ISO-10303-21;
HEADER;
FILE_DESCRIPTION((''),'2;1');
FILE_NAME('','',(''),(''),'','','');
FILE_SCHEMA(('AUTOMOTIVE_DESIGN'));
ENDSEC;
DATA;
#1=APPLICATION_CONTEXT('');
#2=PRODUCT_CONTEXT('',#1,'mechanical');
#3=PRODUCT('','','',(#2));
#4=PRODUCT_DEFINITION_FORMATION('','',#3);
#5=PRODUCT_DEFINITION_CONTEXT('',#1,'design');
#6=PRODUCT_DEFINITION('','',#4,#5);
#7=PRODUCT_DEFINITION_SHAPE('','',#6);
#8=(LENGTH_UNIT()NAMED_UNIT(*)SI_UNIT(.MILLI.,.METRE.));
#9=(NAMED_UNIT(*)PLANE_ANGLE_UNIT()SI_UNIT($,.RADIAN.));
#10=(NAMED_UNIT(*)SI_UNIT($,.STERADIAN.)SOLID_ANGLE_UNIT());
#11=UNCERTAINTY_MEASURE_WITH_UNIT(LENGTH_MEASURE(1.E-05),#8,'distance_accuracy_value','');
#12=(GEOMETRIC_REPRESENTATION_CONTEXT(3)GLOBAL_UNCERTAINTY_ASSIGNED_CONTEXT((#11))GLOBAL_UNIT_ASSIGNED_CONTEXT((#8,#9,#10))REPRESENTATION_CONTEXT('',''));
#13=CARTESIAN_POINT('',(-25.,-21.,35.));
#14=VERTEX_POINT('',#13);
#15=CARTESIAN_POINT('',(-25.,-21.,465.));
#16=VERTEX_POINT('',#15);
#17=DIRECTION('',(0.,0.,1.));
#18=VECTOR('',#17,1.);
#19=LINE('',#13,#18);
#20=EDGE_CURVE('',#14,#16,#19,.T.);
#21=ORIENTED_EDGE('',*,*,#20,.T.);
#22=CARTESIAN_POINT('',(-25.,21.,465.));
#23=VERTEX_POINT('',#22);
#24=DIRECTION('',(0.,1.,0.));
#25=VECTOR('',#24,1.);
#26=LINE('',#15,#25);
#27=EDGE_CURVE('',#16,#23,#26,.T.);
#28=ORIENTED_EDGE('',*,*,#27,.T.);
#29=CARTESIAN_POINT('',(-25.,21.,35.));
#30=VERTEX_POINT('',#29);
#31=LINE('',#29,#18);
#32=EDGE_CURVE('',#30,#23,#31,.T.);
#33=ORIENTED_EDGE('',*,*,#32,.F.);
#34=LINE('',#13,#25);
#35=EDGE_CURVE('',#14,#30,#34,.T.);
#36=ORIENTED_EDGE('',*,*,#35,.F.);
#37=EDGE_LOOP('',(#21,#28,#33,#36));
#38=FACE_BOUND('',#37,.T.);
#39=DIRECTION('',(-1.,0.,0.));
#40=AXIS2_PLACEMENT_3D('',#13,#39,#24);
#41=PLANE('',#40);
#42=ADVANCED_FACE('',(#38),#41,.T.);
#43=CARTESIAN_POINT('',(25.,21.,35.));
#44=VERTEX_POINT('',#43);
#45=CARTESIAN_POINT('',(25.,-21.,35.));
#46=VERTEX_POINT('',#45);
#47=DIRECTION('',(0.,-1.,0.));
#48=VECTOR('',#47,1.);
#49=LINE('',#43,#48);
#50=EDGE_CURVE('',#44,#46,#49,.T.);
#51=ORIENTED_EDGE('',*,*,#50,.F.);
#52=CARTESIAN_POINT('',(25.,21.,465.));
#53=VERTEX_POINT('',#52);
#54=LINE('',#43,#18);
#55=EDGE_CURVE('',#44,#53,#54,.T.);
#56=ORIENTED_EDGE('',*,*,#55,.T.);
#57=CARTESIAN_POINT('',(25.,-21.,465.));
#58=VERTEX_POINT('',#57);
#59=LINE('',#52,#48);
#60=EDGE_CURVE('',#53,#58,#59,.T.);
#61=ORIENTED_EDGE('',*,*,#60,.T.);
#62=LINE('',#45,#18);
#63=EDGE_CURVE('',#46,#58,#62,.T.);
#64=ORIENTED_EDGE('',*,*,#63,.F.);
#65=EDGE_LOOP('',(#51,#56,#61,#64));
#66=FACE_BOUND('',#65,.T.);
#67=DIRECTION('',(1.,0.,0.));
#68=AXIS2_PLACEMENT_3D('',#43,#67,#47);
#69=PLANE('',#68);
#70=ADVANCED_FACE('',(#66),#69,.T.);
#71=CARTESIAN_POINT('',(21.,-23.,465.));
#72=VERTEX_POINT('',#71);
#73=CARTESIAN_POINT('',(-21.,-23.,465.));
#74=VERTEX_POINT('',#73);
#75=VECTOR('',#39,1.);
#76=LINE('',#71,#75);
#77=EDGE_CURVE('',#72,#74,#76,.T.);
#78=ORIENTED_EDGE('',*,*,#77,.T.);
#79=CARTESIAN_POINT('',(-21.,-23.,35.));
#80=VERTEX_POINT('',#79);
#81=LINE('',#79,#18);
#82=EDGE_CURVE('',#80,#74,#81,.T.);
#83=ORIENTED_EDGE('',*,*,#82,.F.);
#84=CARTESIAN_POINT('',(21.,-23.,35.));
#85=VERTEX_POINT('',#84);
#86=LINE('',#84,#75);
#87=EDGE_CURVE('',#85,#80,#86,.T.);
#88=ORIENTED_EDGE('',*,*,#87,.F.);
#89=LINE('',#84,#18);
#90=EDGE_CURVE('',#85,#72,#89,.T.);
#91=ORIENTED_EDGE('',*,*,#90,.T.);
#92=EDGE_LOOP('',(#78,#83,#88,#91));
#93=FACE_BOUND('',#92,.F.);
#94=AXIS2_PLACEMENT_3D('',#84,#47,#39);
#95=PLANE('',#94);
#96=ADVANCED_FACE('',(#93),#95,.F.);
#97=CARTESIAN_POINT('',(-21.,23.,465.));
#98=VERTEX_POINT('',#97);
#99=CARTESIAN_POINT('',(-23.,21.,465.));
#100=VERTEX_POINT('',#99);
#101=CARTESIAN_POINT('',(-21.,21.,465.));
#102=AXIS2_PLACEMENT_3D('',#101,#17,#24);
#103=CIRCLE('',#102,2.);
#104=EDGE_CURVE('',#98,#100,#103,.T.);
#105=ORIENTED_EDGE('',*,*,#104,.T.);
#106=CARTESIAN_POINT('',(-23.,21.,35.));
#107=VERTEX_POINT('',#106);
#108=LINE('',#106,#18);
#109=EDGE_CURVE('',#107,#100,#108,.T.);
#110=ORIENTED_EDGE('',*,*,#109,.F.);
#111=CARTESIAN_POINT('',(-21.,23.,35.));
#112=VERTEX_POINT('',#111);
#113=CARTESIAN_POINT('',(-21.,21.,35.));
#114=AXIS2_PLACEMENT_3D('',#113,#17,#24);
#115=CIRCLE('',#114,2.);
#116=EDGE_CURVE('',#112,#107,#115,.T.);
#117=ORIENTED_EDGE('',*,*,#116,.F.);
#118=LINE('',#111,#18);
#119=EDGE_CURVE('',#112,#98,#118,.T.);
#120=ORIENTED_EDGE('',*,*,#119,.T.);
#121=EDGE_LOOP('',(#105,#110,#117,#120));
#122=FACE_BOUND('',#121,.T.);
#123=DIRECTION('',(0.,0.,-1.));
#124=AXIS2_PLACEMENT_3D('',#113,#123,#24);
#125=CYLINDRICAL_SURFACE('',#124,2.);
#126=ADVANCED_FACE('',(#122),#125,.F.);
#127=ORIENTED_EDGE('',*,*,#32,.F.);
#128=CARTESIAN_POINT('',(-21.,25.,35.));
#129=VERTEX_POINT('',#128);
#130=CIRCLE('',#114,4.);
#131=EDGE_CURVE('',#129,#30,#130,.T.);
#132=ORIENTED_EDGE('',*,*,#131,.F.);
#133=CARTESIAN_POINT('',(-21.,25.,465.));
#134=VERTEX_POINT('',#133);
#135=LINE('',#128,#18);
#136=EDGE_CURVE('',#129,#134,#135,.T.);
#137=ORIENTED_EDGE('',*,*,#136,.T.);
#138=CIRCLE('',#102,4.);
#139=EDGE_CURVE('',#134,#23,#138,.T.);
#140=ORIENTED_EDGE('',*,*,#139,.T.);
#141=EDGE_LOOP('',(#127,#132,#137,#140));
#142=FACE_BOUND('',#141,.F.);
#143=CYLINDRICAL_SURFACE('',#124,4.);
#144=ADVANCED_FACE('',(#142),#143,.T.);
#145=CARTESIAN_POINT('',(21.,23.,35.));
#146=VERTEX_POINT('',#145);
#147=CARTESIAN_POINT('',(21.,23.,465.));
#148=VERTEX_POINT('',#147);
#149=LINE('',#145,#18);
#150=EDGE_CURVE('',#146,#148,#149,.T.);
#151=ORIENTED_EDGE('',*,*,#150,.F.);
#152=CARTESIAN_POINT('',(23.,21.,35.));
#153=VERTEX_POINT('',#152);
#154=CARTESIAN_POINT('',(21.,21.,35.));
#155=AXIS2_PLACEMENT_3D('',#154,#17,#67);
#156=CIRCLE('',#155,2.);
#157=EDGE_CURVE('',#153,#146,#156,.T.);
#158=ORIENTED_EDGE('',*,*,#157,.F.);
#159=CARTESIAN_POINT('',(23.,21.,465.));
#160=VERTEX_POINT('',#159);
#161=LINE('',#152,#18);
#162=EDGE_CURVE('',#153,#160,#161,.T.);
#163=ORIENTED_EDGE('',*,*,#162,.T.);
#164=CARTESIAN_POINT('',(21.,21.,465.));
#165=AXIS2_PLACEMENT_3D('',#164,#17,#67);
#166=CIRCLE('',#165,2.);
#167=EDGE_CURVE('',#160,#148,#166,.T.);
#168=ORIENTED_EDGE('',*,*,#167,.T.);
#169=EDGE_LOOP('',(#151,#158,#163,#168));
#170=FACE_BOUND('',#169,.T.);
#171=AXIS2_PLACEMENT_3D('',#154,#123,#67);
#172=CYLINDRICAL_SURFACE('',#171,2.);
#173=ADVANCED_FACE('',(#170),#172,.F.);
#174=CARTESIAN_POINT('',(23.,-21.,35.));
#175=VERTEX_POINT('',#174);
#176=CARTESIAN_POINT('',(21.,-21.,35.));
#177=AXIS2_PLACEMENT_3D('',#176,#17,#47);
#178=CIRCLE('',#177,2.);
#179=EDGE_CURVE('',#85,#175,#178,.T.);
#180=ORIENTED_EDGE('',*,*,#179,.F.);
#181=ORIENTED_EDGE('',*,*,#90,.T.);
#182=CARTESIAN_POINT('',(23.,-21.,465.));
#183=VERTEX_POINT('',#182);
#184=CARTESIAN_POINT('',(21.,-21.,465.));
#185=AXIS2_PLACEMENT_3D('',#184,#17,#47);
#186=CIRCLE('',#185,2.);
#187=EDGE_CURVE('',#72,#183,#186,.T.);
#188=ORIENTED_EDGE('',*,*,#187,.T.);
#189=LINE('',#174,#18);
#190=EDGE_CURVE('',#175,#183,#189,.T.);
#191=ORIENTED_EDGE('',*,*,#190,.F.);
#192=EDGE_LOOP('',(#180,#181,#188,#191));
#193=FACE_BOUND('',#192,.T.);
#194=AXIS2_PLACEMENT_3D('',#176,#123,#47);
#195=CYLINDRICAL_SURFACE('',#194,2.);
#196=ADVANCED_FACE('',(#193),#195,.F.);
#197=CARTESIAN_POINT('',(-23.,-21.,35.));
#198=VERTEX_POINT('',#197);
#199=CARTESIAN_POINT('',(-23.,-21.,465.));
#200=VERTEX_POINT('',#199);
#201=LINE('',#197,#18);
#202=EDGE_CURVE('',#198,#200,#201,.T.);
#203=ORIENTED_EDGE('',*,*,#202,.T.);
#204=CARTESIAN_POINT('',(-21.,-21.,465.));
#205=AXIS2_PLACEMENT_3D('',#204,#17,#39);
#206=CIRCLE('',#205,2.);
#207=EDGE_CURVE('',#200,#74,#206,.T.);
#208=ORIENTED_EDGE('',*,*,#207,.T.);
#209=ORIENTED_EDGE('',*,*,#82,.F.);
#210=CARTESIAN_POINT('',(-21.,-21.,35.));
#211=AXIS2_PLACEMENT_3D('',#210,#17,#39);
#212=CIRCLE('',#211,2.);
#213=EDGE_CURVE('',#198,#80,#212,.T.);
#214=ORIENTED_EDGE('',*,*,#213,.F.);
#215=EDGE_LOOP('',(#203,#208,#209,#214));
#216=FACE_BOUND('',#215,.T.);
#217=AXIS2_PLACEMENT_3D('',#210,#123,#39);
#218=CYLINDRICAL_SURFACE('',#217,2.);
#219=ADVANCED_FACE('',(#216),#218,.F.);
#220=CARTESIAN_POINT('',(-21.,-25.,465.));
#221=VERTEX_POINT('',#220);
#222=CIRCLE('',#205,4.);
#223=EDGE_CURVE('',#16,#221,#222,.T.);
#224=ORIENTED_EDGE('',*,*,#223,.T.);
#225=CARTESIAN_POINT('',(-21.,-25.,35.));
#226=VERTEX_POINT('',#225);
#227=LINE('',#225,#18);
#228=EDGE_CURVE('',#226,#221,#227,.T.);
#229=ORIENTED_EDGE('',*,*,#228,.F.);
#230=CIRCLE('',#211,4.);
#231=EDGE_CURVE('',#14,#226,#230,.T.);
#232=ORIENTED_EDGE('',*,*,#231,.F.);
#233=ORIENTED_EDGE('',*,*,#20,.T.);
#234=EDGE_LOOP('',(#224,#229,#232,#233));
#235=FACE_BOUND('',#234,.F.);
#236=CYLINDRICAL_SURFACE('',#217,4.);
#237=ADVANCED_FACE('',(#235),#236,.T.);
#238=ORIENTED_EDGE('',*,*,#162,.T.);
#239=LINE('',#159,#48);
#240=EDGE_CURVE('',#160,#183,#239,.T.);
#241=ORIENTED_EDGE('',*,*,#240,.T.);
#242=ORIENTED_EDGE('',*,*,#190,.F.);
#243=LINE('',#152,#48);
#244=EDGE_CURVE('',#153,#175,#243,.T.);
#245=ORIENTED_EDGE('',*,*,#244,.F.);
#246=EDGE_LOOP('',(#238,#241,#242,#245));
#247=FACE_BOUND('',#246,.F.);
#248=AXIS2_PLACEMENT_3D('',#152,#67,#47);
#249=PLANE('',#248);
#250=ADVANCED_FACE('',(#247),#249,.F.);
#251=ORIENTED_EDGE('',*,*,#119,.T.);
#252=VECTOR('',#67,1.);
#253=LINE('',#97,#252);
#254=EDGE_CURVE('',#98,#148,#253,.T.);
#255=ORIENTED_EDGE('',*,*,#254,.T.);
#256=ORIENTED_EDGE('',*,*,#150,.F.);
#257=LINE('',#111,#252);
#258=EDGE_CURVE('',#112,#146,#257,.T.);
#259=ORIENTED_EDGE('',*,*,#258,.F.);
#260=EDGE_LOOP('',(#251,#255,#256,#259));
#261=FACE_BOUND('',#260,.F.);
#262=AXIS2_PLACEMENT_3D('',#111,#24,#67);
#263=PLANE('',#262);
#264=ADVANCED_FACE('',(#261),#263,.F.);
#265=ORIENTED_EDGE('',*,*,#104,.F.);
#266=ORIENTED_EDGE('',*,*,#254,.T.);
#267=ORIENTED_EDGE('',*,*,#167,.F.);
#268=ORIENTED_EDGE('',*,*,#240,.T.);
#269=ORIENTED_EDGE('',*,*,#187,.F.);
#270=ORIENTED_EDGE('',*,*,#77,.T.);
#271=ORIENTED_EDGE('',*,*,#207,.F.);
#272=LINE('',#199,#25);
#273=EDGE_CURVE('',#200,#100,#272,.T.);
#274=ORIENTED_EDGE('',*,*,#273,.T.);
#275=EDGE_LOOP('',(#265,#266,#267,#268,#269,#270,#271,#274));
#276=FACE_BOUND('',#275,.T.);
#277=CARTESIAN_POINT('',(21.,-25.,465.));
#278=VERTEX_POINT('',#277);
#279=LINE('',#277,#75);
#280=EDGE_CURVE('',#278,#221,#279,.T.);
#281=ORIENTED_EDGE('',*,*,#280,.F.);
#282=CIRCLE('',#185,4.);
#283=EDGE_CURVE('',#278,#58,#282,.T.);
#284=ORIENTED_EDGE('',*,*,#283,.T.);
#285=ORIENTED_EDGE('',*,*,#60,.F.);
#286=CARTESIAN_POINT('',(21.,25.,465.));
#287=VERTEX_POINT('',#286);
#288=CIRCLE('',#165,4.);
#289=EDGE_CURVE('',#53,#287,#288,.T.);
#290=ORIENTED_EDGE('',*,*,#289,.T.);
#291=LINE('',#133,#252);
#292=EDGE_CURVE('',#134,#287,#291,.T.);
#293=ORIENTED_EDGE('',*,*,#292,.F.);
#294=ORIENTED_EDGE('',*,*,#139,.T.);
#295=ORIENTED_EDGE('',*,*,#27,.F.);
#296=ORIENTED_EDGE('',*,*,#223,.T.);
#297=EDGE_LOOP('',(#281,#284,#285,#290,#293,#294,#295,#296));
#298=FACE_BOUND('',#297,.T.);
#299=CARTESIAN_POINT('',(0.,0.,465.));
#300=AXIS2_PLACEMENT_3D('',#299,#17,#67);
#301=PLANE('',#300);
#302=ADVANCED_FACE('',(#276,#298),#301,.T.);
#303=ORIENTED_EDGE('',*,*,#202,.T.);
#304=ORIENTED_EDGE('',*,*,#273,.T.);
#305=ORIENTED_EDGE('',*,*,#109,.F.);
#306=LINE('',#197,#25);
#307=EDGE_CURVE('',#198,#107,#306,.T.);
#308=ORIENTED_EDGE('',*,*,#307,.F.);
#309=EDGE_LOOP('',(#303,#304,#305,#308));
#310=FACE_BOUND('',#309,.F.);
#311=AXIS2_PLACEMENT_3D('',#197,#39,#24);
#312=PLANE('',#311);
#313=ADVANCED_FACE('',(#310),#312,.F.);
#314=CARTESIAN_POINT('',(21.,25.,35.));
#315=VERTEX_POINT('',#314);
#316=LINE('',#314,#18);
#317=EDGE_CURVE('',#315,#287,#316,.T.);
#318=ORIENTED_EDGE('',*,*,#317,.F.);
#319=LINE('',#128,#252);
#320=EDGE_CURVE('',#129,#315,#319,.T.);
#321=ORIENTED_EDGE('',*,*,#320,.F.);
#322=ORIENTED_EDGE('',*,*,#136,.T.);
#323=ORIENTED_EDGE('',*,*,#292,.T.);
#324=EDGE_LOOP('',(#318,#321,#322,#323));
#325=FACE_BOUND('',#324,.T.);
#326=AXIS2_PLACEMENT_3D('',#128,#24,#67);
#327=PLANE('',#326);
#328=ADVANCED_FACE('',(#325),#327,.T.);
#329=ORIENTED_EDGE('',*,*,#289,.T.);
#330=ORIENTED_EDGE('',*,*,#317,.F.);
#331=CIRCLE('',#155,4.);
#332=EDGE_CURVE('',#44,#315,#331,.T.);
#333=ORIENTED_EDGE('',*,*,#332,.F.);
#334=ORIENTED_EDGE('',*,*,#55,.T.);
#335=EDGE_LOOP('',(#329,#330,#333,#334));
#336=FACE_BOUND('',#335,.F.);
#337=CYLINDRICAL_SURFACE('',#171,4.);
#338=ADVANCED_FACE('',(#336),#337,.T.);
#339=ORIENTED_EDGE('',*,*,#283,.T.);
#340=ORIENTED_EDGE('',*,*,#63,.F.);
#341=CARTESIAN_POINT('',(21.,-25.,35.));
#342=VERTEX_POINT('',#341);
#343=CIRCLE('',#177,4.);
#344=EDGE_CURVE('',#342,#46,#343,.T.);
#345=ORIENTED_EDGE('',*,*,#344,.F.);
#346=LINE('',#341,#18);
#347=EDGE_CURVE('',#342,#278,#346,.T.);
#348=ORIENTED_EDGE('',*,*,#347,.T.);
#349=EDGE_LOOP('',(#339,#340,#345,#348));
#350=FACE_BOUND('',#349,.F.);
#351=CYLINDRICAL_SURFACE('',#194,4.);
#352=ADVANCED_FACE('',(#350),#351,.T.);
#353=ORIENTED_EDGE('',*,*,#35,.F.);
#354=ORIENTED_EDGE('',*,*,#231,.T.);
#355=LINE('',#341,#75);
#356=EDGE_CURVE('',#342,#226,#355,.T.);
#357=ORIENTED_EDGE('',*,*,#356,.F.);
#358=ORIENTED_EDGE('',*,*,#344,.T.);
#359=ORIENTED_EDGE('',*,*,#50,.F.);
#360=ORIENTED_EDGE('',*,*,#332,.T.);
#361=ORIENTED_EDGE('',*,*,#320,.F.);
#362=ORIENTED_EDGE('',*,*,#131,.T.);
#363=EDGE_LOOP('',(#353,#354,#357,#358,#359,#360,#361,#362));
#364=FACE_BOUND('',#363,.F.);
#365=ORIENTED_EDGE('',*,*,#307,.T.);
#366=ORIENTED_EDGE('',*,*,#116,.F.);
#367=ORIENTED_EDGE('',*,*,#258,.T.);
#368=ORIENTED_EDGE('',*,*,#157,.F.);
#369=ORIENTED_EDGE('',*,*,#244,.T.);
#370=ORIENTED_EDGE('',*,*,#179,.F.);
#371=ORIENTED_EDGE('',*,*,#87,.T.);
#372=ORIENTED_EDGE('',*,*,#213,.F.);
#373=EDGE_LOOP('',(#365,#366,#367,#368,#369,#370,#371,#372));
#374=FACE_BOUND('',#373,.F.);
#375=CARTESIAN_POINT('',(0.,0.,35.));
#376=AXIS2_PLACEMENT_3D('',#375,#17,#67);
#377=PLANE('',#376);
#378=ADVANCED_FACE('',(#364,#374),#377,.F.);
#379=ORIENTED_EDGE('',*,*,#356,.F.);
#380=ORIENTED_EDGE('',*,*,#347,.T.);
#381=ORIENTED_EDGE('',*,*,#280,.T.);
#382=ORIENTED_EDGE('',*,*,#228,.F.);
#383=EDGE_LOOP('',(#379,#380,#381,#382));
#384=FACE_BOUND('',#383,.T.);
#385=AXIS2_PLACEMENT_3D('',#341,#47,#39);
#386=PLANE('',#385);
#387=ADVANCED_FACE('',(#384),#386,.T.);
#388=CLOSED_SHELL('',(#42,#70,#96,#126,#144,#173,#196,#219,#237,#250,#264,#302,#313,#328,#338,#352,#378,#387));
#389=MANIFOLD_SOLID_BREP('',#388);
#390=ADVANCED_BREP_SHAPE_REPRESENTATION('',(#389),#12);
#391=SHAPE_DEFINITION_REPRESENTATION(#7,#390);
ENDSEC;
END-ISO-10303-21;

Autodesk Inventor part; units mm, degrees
ref_plane "Plano inicial" through (0, 0, 35) normal (0, 0, 1) x (1, 0, 0)
ref_plane "Plano final" through (0, 0, 465) normal (0, 0, 1) x (1, 0, 0)
sketch "Boceto" plane through (0, 0, 0) normal (0, 0, 1) x (1, 0, 0)
  line L0 (-25, -21) -> (-25, 21)
  line L1 (-21, 25) -> (21, 25)
  line L2 (25, 21) -> (25, -21)
  line L3 (21, -25) -> (-21, -25)
  arc A0 (-25, -21) -> (-21, -25) centre (-21, -21) ccw
  arc A1 (25, 21) -> (21, 25) centre (21, 21) ccw
  arc A2 (-21, 25) -> (-25, 21) centre (-21, 21) ccw
  arc A3 (21, -25) -> (25, -21) centre (21, -21) ccw
  arc A4 (-21, 23) -> (-23, 21) centre (-21, 21) ccw
  line L4 (-21, 23) -> (21, 23)
  arc A5 (23, 21) -> (21, 23) centre (21, 21) ccw
  line L5 (23, 21) -> (23, -21)
  arc A6 (21, -23) -> (23, -21) centre (21, -21) ccw
  line L6 (21, -23) -> (-21, -23)
  arc A7 (-23, -21) -> (-21, -23) centre (-21, -21) ccw
  line L7 (-23, -21) -> (-23, 21)
  line L8 (0, 36.1598) -> (0, -36.1598) construction
  line L9 (-36.1598, 0) -> (36.1598, 0) construction
  dimension "d7" = 4
  dimension "d9" = 50
  dimension "d11" = 50
  dimension "d12" = 2
  dimension "d15" = 25
  dimension "d16" = 25
extrude "Cuerpo" add sketch "Boceto" along normal up to surface (430 mm away) from surface at 35
sketch "Sketch3" plane through (0, 0, 0) normal (0, 0, 1) x (1, 0, 0)
  line L0 (0, 0) -> (10, 0)
ref_plane "Work Plane3" through (0, 0, 0) normal (0, -1, 0) x (1, 0, 0)
sketch "Sketch4" plane through (0, 0, 0) normal (0, -1, 0) x (1, 0, 0)
  line L0 (-2, 35) -> (12, 35)
  line L1 (-2, 465) -> (12, 465)
  dimension "d18" = 430
ref_plane "Plano de trabajo4" through (2315, 29, 35) normal (0, 0, -1) x (-1, 0, 0)
split "Dividir1" plane through (2315, 29, 35) removes the side toward (0, 0, -1)
ref_plane "Plano de trabajo5" through (2315, -29, 465) normal (0, 0, 1) x (1, 0, 0)
split "Dividir2" plane through (2315, -29, 465) removes the side toward (0, 0, 1)
equation "\"d7\" = G_IR"
equation "\"d9\" = G_W"
equation "\"d11\" = G_H"
equation "\"d12\" = G_T"
equation "\"d15\" = 0.5 * d9"
equation "\"d16\" = 0.5 * d11"
equation "\"d3\" = G_L"
equation "\"G_W\" = 50"
equation "\"G_H\" = 50"
equation "\"G_T\" = 2"
equation "\"G_IR\" = 4"
equation "\"G_L\" = d18"
equation "\"G_OFFSET_START\" = -35"
equation "\"G_OFFSET_END\" = -35"
equation "\"d13\" = -G_OFFSET_START"
equation "\"d14\" = G_OFFSET_END + B_L"
equation "\"B_L\" = 500"
properties part number "ISO 10799-2 - 50x50x2 - 430" material "Galvanizado catalogo 1"
